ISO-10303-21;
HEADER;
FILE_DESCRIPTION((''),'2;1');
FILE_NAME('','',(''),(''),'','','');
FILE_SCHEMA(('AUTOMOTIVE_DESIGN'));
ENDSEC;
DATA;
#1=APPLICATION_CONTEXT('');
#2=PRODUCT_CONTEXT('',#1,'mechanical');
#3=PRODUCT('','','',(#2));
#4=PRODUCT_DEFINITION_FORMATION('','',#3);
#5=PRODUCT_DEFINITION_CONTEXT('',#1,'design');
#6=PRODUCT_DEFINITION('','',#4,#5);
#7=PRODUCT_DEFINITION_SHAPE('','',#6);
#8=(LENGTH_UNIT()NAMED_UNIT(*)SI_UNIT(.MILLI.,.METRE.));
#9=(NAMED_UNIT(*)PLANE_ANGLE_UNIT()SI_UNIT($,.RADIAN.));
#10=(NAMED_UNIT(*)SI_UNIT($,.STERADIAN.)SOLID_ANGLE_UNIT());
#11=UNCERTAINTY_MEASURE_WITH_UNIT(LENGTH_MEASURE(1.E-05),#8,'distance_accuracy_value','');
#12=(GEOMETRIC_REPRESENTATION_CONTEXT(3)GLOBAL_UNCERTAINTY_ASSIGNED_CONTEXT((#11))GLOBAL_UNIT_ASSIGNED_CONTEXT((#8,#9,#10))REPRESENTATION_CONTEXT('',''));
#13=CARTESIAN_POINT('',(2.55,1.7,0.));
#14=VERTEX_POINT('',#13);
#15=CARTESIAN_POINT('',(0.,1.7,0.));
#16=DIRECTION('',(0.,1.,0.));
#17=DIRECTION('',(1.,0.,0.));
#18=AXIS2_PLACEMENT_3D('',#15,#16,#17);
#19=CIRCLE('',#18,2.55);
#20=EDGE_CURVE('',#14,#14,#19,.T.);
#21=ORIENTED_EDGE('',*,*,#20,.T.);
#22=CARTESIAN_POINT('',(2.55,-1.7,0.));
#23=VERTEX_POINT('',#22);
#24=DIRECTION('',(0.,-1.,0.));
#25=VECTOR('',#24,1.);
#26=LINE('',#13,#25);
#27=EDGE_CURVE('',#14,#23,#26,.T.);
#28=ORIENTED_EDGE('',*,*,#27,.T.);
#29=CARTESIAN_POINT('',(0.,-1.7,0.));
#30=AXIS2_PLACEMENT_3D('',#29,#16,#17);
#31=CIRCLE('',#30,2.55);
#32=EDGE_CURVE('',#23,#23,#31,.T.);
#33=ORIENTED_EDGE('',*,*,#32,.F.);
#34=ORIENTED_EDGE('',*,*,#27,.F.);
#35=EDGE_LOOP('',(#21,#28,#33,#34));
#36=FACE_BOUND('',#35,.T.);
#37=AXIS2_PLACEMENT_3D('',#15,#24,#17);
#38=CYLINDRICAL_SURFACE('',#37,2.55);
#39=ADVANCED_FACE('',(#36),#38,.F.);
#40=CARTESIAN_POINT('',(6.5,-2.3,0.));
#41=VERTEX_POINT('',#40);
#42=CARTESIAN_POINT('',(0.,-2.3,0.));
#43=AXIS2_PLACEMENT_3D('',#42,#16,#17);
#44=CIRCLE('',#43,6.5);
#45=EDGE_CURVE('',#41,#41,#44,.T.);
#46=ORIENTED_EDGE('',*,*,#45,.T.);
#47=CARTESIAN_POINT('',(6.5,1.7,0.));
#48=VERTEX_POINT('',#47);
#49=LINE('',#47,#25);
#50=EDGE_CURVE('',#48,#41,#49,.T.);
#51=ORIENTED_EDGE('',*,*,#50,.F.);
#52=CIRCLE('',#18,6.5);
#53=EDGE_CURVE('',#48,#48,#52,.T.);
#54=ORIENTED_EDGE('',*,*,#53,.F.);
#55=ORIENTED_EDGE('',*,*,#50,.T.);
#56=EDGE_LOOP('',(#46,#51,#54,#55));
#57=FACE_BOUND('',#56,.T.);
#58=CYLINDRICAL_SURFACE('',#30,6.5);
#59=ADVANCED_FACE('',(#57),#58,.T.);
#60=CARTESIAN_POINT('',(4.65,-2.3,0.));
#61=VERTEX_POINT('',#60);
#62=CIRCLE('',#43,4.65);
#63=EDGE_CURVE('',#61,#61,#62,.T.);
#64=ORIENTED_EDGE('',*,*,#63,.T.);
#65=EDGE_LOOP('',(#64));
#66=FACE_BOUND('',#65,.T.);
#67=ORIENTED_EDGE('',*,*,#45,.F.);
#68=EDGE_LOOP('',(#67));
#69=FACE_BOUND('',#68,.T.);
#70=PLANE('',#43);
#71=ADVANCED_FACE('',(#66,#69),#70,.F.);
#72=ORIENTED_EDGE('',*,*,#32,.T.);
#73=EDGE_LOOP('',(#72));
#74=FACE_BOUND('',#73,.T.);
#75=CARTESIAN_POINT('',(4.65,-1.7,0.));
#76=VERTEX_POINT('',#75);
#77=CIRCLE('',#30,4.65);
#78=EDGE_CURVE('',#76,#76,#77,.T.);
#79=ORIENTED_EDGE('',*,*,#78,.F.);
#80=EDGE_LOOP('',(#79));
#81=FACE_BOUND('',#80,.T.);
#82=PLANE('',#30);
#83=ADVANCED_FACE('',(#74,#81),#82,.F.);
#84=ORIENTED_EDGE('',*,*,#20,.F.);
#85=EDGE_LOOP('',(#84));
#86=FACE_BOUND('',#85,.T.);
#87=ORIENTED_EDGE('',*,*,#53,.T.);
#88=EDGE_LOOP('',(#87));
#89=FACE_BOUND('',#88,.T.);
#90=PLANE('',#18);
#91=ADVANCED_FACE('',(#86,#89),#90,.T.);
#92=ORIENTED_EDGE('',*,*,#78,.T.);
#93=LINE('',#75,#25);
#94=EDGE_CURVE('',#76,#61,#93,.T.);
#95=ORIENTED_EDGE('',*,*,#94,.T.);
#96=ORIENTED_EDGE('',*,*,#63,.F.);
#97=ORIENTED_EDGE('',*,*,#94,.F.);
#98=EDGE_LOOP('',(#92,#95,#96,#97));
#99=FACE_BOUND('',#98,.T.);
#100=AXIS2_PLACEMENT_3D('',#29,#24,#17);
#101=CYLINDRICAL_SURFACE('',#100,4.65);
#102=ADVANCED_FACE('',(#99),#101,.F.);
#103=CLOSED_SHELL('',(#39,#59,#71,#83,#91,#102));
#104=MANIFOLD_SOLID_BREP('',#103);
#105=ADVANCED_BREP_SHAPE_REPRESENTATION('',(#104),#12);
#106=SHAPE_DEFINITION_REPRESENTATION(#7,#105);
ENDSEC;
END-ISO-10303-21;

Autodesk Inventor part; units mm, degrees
ref_plane "YZ Plane" through (0, 0, 0) normal (1, 0, 0) x (0, 1, 0)
ref_plane "XZ Plane" through (0, 0, 0) normal (0, 1, 0) x (-1, 0, 0)
ref_plane "XY Plane" through (0, 0, 0) normal (0, 0, 1) x (1, 0, 0)
sketch "スケッチ1" plane through (0, 0, 0) normal (0, 0, 1) x (1, 0, 0)
  line L0 (2.55, 1.7) -> (2.55, -1.7)
  line L1 (2.55, -1.7) -> (6.5, -1.7)
  line L2 (6.5, -1.7) -> (6.5, 1.7)
  line L3 (6.5, 1.7) -> (2.55, 1.7)
  line L4 (0, -3.1) -> (0, 2.5) projected
  line L5 (6.5, -1.7) -> (4.65, -1.7)
  line L6 (4.65, -1.7) -> (4.65, -2.3)
  line L7 (4.65, -2.3) -> (6.5, -2.3)
  line L8 (6.5, -2.3) -> (6.5, -1.7)
  point P0 (0, 0)
  point P1 (2.55, 0)
  dimension "d1" = 2.55
  dimension "d2" = 6.5
  dimension "d3" = 3.4
  dimension "d8" = 0.6
  dimension "d9" = 4.65
revolve "回転1" add sketch "スケッチ1" angle 360 about axis through (0, -10, 0) along (0, 1, 0)
properties part number "膝_同軸_スペーサ_1_2" material "アセタール樹脂、黒"
